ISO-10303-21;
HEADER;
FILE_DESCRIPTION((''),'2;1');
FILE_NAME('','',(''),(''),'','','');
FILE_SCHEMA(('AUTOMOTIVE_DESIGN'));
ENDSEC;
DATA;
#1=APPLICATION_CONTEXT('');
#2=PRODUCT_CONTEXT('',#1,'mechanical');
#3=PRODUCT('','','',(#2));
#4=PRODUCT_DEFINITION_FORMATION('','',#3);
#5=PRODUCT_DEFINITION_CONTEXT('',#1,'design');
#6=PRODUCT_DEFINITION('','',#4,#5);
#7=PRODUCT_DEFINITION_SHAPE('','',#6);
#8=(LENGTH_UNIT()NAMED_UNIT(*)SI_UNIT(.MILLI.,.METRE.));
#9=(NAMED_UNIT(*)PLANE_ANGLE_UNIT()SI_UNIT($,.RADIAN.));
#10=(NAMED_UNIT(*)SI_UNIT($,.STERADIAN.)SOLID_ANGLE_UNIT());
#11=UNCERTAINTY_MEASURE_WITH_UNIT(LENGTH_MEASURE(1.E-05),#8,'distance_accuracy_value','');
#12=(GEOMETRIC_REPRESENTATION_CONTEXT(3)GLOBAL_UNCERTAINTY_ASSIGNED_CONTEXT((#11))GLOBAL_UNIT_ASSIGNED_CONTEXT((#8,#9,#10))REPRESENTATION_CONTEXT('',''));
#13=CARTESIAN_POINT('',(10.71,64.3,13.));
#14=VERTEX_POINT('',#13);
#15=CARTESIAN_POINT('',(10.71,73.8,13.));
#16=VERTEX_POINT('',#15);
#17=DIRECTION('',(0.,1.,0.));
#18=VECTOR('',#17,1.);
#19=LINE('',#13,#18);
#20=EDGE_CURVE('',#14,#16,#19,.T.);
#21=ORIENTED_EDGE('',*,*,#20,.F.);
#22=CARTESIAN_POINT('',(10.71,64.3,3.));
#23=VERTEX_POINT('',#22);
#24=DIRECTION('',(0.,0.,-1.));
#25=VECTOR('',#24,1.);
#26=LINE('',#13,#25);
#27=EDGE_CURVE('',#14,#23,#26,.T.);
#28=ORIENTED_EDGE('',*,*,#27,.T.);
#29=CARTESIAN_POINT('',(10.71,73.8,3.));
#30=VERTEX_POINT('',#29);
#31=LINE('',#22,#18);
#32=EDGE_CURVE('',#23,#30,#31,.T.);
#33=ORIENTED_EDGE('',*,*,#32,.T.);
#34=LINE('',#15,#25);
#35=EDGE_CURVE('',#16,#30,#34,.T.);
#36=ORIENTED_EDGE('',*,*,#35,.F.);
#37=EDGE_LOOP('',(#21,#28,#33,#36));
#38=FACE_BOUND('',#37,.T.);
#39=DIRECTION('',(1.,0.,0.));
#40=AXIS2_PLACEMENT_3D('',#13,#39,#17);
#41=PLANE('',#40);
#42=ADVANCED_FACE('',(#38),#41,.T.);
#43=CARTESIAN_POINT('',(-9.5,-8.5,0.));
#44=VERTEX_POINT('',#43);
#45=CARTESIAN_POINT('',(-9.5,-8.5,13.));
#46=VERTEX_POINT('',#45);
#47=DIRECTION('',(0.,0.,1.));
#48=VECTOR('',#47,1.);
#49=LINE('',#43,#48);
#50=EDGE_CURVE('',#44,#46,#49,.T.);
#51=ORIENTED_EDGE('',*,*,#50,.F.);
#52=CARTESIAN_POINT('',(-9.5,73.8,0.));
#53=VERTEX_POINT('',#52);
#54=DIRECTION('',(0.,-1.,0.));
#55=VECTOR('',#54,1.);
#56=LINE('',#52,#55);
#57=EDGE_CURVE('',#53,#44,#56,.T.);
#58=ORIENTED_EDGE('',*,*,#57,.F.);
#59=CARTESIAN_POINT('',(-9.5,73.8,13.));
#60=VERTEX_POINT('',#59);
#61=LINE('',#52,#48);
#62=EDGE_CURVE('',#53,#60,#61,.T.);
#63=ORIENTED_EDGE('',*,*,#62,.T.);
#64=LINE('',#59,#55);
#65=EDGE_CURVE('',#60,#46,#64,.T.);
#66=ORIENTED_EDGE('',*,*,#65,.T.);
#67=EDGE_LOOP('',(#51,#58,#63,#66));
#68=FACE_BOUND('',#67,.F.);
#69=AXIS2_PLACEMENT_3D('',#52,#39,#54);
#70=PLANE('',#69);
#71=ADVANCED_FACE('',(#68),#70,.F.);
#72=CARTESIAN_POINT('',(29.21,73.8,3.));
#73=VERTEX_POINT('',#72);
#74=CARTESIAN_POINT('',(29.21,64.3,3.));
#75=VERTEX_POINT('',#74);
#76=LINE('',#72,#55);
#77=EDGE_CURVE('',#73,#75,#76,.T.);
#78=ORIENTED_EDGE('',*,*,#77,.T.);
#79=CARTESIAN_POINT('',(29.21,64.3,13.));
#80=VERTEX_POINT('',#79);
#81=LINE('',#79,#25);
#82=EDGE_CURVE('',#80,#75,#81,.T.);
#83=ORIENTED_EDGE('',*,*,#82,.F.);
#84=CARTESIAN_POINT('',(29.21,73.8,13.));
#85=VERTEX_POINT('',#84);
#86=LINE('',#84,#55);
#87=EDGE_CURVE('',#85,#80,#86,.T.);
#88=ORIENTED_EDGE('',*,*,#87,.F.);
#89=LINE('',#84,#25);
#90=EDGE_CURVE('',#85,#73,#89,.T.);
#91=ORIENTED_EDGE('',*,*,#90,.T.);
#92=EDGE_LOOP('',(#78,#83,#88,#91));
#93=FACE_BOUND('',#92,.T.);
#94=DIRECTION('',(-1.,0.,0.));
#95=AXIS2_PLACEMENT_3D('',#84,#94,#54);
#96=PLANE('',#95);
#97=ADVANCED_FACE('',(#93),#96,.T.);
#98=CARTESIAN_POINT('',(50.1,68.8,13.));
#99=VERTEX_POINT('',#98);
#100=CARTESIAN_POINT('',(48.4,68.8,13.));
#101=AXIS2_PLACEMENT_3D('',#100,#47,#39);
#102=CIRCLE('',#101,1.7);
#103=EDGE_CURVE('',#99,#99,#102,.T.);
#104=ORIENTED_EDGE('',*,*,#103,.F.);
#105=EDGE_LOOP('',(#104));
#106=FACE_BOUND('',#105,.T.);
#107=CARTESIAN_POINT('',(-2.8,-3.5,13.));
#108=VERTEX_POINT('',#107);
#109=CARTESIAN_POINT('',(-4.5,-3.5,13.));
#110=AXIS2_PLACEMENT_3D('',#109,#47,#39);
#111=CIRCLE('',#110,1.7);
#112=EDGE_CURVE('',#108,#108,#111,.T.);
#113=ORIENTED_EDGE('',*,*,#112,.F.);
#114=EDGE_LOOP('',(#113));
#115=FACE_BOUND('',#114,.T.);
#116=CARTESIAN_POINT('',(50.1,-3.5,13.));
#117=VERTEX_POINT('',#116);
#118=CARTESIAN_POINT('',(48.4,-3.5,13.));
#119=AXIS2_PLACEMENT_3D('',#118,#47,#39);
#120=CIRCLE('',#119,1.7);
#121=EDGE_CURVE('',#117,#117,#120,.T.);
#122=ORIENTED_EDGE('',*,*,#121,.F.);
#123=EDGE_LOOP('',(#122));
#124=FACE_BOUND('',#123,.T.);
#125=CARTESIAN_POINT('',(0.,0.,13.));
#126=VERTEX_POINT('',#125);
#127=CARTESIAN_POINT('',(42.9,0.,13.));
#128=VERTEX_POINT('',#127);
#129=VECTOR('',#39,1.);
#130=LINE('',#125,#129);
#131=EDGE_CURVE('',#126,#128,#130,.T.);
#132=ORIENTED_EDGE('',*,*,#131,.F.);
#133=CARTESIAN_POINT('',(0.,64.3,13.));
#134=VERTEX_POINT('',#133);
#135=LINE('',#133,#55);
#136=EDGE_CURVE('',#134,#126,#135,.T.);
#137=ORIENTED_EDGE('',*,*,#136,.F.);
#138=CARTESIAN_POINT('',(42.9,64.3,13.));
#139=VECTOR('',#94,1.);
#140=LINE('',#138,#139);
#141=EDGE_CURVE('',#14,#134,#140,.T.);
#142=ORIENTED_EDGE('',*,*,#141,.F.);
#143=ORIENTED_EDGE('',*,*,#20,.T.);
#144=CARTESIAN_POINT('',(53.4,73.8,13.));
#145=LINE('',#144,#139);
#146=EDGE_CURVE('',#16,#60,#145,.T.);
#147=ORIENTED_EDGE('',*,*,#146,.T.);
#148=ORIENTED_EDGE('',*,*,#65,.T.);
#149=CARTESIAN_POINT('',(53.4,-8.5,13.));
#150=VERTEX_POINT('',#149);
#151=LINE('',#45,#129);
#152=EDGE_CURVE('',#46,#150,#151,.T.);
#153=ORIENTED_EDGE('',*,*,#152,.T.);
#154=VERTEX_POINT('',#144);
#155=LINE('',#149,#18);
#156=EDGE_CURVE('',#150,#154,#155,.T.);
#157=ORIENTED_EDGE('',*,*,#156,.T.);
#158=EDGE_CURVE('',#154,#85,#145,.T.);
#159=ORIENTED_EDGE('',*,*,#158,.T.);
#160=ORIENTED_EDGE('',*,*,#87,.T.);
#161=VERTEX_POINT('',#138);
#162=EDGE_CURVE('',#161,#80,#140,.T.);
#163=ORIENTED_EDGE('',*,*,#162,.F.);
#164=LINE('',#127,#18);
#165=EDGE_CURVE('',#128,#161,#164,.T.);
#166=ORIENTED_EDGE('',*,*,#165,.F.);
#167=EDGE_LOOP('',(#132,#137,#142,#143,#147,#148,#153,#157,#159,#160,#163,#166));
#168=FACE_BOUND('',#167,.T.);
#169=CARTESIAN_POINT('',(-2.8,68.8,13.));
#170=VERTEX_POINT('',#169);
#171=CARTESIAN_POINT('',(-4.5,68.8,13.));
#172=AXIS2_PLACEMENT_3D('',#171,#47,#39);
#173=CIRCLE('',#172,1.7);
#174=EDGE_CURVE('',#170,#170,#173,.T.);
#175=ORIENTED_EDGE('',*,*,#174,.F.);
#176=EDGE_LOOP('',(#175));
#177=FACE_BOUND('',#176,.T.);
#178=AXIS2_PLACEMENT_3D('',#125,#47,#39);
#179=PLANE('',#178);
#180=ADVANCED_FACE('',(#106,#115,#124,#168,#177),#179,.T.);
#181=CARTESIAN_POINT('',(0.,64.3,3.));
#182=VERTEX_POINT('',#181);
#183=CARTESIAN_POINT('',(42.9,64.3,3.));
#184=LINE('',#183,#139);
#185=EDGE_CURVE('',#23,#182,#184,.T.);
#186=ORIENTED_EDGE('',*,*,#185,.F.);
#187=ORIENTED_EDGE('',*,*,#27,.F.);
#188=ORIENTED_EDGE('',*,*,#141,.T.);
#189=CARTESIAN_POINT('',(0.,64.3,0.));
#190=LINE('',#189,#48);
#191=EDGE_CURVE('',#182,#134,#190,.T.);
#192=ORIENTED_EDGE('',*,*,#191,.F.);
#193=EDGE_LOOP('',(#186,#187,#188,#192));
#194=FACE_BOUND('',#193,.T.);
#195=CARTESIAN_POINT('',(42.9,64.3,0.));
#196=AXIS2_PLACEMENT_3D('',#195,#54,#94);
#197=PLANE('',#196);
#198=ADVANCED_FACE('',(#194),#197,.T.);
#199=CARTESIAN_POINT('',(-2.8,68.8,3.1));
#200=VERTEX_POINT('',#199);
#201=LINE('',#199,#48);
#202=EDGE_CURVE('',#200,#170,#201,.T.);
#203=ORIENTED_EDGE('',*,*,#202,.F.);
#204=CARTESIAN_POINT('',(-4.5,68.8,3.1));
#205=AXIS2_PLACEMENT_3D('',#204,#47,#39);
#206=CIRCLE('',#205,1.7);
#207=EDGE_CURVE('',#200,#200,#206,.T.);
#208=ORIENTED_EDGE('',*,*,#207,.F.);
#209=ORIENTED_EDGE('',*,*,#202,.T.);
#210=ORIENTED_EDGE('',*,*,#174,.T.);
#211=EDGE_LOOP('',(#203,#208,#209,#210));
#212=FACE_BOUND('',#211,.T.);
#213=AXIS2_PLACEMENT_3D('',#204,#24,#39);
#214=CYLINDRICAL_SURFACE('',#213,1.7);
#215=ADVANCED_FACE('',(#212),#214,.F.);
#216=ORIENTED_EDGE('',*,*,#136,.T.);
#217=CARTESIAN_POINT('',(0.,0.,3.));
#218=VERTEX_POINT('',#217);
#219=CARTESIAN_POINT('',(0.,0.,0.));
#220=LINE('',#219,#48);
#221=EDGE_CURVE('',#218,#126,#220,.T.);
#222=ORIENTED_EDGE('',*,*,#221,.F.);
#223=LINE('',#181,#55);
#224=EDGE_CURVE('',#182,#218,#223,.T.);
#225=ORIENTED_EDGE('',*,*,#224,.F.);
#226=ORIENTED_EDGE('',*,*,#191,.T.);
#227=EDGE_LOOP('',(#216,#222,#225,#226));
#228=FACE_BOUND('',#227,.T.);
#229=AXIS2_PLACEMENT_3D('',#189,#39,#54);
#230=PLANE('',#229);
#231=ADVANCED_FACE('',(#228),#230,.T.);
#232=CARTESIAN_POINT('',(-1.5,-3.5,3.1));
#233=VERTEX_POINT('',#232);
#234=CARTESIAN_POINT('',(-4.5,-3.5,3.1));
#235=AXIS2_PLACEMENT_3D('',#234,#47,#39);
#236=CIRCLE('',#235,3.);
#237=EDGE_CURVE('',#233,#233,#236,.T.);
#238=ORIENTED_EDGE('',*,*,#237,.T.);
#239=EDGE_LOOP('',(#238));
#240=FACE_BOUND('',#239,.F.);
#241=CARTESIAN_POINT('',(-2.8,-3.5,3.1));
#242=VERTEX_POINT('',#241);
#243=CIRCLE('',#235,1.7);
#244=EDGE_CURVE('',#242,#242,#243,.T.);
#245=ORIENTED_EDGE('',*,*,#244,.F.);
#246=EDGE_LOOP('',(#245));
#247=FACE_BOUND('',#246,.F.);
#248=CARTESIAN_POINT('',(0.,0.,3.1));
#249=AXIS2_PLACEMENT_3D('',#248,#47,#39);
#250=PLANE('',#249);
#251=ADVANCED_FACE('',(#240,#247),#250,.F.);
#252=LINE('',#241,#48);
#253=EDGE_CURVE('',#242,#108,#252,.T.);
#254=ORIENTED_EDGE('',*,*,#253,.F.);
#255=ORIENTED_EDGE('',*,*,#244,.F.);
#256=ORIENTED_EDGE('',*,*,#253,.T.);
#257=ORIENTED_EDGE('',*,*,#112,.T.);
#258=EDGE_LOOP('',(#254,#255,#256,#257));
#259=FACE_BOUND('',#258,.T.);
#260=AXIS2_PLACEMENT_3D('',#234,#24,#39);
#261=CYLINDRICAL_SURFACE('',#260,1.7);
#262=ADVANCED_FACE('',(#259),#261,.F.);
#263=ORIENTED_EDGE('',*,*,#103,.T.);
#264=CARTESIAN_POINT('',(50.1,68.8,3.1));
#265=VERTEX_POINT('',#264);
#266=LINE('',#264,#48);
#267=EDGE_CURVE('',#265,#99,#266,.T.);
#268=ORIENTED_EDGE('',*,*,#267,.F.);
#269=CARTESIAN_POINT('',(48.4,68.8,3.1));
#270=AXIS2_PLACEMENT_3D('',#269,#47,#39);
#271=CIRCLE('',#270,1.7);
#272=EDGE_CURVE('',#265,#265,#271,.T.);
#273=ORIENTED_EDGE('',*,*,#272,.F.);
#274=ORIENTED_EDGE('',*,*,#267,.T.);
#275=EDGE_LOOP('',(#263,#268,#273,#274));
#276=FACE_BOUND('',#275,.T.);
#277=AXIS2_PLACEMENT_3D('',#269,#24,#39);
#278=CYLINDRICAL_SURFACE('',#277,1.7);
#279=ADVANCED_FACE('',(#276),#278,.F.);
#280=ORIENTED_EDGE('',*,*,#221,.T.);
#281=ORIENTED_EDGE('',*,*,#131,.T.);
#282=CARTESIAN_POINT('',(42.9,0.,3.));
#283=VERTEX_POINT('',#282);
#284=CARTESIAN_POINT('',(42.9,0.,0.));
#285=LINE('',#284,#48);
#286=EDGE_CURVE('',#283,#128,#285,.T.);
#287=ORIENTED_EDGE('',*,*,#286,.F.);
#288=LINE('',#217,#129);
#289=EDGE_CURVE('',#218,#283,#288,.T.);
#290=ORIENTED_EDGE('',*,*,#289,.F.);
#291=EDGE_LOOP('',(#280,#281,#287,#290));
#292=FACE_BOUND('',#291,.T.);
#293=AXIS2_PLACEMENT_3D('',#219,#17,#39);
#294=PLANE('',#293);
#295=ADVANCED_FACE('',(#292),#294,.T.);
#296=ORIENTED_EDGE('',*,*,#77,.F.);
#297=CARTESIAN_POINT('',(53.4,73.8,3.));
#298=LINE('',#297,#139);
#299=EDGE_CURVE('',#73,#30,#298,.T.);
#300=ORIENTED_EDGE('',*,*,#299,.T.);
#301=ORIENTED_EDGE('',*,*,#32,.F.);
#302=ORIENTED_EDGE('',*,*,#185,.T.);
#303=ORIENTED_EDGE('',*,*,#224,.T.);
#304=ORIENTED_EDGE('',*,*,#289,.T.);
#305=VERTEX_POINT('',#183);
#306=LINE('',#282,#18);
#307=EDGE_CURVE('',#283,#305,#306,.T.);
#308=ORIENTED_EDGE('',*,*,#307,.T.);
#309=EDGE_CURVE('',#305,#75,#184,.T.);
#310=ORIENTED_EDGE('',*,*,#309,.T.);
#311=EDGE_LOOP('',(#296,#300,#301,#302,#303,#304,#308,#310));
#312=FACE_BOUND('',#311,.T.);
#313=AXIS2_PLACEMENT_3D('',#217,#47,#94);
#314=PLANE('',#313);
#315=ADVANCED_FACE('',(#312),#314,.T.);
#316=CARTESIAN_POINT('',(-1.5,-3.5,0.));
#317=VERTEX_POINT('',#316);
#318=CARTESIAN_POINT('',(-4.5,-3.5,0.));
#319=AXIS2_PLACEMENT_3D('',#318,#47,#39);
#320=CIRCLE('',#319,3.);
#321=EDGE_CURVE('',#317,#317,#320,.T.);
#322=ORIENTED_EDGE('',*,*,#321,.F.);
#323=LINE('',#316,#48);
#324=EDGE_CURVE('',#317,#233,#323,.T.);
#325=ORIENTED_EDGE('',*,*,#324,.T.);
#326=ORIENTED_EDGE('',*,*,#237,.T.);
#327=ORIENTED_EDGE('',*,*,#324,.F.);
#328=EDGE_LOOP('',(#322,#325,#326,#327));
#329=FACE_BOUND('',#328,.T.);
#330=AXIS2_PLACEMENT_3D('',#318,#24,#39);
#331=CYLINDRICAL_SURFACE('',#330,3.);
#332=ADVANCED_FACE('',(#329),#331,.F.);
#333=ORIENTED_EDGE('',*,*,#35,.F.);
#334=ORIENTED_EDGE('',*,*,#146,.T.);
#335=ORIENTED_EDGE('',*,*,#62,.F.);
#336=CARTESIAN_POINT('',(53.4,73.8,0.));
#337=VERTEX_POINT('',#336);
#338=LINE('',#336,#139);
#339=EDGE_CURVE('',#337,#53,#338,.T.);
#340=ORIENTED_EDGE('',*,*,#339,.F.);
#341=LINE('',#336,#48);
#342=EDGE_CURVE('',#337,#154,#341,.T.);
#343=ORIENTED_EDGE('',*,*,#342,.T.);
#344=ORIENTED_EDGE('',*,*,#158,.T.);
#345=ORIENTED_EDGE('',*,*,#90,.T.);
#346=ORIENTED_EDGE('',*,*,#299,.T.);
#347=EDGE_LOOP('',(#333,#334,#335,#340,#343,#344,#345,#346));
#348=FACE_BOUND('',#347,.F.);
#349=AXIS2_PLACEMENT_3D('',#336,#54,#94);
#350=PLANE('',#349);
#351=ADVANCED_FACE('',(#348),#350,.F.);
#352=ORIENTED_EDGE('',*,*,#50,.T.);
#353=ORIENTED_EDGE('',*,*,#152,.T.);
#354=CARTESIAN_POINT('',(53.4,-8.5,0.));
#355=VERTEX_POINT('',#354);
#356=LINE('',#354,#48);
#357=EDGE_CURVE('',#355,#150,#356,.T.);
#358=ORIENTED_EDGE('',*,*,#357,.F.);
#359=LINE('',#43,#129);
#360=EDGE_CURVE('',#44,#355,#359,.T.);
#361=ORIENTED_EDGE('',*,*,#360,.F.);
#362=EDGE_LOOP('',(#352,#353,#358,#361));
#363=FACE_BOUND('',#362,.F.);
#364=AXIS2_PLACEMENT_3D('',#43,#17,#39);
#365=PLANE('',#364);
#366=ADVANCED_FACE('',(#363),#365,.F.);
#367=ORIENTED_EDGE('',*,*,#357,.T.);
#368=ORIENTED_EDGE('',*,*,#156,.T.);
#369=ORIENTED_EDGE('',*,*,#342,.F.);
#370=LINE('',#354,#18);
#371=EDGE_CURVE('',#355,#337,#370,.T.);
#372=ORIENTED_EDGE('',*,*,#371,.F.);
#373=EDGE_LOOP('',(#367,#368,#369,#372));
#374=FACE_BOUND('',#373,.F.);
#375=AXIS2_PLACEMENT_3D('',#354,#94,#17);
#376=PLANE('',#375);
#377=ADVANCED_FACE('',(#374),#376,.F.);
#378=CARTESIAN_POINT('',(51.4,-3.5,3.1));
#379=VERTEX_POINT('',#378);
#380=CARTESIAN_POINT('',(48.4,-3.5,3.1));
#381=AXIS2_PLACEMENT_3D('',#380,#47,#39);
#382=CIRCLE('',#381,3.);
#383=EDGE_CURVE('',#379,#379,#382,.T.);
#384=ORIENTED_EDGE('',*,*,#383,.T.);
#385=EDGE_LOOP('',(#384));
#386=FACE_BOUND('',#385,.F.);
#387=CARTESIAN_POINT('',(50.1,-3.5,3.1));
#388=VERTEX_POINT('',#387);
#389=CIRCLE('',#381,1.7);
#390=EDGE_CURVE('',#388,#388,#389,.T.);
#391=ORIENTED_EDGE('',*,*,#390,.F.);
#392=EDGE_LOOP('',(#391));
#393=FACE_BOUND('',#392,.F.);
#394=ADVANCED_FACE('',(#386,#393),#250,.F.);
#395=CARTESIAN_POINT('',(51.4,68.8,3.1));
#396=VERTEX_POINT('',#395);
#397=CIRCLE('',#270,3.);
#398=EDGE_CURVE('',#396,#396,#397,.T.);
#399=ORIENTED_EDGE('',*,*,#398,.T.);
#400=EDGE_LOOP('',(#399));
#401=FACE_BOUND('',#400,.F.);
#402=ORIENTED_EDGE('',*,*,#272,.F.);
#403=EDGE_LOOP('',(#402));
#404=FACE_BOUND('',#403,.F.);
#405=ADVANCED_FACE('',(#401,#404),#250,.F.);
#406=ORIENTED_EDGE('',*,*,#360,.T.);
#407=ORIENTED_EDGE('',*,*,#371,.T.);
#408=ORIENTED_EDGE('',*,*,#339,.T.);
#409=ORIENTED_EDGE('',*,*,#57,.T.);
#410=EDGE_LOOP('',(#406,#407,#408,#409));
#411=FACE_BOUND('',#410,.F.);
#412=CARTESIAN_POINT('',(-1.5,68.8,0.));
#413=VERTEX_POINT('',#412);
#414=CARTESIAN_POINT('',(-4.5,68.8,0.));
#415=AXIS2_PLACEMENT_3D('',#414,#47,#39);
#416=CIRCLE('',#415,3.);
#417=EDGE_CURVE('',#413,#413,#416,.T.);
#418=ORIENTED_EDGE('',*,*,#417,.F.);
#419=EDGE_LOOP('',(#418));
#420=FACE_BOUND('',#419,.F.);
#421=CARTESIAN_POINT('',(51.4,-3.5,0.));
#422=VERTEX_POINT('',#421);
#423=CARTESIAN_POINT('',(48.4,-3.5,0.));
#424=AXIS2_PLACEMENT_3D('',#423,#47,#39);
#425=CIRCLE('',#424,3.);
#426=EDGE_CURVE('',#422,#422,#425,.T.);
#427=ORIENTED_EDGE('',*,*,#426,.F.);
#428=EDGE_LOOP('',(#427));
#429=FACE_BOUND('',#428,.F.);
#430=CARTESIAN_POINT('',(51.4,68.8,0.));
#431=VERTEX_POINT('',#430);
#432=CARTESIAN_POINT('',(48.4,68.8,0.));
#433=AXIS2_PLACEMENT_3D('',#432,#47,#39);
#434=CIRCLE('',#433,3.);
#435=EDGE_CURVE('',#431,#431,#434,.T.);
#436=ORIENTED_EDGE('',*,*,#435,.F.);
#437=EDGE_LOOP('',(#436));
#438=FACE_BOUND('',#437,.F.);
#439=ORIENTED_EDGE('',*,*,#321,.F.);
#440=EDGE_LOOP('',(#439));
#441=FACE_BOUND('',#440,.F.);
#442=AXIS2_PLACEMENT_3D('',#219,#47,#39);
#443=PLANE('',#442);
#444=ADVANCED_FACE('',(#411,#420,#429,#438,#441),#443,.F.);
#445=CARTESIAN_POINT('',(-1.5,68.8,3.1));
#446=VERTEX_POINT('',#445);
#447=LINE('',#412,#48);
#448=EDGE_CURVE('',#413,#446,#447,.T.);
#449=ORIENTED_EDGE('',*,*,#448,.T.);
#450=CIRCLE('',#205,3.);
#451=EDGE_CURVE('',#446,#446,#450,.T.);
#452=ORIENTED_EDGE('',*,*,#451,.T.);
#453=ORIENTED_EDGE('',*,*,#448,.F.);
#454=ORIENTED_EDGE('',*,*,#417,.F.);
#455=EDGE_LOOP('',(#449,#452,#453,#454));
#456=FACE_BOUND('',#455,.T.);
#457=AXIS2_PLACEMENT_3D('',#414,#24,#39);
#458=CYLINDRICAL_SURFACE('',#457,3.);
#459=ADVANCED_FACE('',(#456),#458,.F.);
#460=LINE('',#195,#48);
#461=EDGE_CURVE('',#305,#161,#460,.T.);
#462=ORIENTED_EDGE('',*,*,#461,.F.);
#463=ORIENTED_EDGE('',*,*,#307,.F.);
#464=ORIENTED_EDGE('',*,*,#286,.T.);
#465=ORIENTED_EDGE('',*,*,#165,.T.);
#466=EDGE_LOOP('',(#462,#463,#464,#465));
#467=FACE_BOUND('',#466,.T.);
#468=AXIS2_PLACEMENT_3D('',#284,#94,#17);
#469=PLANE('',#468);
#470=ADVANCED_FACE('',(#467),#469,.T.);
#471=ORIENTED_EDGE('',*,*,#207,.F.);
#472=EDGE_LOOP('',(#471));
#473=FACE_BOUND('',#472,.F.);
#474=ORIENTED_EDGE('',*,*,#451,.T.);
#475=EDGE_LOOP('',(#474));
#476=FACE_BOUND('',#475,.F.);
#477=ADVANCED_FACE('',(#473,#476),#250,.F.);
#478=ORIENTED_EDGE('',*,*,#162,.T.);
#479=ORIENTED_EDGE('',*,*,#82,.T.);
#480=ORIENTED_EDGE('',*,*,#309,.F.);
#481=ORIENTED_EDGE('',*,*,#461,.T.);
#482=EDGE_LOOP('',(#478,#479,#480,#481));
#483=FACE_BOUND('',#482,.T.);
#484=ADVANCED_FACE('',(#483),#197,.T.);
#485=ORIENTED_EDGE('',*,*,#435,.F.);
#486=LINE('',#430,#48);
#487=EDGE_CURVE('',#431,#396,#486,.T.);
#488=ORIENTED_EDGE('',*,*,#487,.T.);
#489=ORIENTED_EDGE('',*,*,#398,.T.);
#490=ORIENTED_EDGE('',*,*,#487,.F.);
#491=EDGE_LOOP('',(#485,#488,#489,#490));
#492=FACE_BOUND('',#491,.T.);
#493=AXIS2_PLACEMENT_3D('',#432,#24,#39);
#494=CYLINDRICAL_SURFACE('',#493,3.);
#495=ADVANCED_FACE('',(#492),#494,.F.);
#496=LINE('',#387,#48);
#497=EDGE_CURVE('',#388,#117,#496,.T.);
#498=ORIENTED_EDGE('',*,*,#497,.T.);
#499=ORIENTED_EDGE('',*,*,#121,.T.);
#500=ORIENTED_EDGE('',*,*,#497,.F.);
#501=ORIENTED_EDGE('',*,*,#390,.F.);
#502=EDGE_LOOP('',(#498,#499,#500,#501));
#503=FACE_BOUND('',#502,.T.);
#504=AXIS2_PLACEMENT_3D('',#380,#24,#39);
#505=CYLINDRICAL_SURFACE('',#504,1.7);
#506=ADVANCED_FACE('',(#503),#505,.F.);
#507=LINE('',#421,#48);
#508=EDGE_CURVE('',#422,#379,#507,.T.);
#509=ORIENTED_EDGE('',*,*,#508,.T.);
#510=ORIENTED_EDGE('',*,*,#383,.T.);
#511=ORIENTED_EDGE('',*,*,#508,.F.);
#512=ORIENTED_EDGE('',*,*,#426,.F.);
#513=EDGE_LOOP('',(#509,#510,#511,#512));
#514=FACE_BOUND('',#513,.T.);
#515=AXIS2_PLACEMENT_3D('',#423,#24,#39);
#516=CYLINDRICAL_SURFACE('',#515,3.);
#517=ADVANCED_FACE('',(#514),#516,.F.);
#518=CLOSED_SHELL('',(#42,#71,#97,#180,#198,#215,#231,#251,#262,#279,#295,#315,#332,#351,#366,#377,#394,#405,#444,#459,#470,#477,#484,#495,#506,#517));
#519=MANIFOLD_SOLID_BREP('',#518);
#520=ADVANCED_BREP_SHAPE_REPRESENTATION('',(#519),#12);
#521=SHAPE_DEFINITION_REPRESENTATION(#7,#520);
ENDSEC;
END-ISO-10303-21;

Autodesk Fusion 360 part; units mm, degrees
sketch "Sketch1" plane through (0, 0, 0) normal (0, 0, 1) x (1, 0, 0) in component "Case"
  line L0 (0, 0) -> (42.9, 0)
  line L1 (42.9, 0) -> (42.9, 64.3)
  line L2 (42.9, 64.3) -> (0, 64.3)
  line L3 (0, 64.3) -> (0, 0)
  line L4 (53.4, 73.8) -> (-9.5, 73.8)
  line L5 (-9.5, 73.8) -> (-9.5, -8.5)
  line L6 (-9.5, -8.5) -> (53.4, -8.5)
  line L7 (53.4, -8.5) -> (53.4, 73.8)
  circle A0 centre (-4.5, 68.8) radius 1.7
  circle A1 centre (48.4, 68.8) radius 1.7
  circle A2 centre (48.4, -3.5) radius 1.7
  circle A3 centre (-4.5, -3.5) radius 1.7
  circle A4 centre (48.4, 68.8) radius 3
  circle A5 centre (48.4, -3.5) radius 3
  circle A6 centre (-4.5, 68.8) radius 3
  circle A7 centre (-4.5, -3.5) radius 3
  dimension "d1" = 42.9
  dimension "d2" = 64.3
  dimension "d3" = 62.9
  dimension "d4" = 82.3
  dimension "d5" = 9.5
  dimension "d6" = 9.5
  dimension "d7" = 3.4
  dimension "d8" = 3.4
  dimension "d9" = 3.4
  dimension "d10" = 3.4
  dimension "d11" = 5
  dimension "d12" = 5
  dimension "d13" = 5
  dimension "d14" = 5
  dimension "d15" = 5
  dimension "d16" = 5
  dimension "d17" = 5
  dimension "d18" = 5
  dimension "d19" = 1.3
  dimension "d20" = 1.3
  dimension "d21" = 1.3
  dimension "d22" = 1.3
extrude "Extrude1" add sketch "Sketch1" along normal blind 9.9 from surface at 3.1 contours A4 | A5 | A6 | A7 makes body 1 at (51.3963, -3.6495, 9.7) makes body 2 at (50.9599, 70.3643, 9.7) makes body 3 at (-1.5037, -3.6495, 9.7) makes body 4 at (-7.0599, 67.2357, 9.7) in component "Case"
extrude "Extrude2" add sketch "Sketch1" along normal blind 13 contours L4 L5 L6 L7 bodies 1 2 3 4 in component "Case"
extrude "Extrude3" add sketch "Sketch1" along normal blind 3 contours L0 L1 L2 L3 bodies 1 in component "Case"
sketch "Sketch2" plane through (0, 0, 13) normal (0, 0, 1) x (-1, 0, 0) in component "Case"
  circle A0 centre (-48.4, 3.5) radius 1.7
  circle A1 centre (4.5, -68.8) radius 1.7
  line L0 (0, 0) -> (0, -64.3)
  line L1 (0, -64.3) -> (-42.9, -64.3)
  line L2 (-42.9, -64.3) -> (-42.9, 0)
  line L3 (-42.9, 0) -> (0, 0)
  line L4 (-53.4, 8.5) -> (-53.4, -73.8)
  line L5 (-53.4, -73.8) -> (9.5, -73.8)
  line L6 (9.5, -73.8) -> (9.5, 8.5)
  line L7 (9.5, 8.5) -> (-53.4, 8.5)
  circle A2 centre (-48.4, -68.8) radius 1.7
  circle A3 centre (4.5, 3.5) radius 1.7
  line L8 (0, -64.3) -> (0, 0)
  line L9 (0, 0) -> (-42.9, 0)
  line L10 (-42.9, 0) -> (-42.9, -64.3)
  line L11 (-42.9, -64.3) -> (0, -64.3)
  line L12 (-10.71, -73.8) -> (-29.21, -73.8)
  line L13 (-29.21, -73.8) -> (-29.21, -64.3)
  line L14 (-29.21, -64.3) -> (-10.71, -64.3)
  line L15 (-10.71, -64.3) -> (-10.71, -73.8)
  dimension "d31" = 10.71
  dimension "d32" = 13.69
extrude "Extrude4" cut sketch "Sketch2" against normal blind 10 contours L1 L5 L11 L12 L13 L14 L15 bodies 1 in component "Case"
component "Case" placed x (1, 0, 0) y (0, 1, 0) z (0, 0, 1) at (0, 0, 0)
equation "d31 = 14.46 mm - 3.75 mm"
equation "d32 = 14.46 mm - 0.77 mm"
